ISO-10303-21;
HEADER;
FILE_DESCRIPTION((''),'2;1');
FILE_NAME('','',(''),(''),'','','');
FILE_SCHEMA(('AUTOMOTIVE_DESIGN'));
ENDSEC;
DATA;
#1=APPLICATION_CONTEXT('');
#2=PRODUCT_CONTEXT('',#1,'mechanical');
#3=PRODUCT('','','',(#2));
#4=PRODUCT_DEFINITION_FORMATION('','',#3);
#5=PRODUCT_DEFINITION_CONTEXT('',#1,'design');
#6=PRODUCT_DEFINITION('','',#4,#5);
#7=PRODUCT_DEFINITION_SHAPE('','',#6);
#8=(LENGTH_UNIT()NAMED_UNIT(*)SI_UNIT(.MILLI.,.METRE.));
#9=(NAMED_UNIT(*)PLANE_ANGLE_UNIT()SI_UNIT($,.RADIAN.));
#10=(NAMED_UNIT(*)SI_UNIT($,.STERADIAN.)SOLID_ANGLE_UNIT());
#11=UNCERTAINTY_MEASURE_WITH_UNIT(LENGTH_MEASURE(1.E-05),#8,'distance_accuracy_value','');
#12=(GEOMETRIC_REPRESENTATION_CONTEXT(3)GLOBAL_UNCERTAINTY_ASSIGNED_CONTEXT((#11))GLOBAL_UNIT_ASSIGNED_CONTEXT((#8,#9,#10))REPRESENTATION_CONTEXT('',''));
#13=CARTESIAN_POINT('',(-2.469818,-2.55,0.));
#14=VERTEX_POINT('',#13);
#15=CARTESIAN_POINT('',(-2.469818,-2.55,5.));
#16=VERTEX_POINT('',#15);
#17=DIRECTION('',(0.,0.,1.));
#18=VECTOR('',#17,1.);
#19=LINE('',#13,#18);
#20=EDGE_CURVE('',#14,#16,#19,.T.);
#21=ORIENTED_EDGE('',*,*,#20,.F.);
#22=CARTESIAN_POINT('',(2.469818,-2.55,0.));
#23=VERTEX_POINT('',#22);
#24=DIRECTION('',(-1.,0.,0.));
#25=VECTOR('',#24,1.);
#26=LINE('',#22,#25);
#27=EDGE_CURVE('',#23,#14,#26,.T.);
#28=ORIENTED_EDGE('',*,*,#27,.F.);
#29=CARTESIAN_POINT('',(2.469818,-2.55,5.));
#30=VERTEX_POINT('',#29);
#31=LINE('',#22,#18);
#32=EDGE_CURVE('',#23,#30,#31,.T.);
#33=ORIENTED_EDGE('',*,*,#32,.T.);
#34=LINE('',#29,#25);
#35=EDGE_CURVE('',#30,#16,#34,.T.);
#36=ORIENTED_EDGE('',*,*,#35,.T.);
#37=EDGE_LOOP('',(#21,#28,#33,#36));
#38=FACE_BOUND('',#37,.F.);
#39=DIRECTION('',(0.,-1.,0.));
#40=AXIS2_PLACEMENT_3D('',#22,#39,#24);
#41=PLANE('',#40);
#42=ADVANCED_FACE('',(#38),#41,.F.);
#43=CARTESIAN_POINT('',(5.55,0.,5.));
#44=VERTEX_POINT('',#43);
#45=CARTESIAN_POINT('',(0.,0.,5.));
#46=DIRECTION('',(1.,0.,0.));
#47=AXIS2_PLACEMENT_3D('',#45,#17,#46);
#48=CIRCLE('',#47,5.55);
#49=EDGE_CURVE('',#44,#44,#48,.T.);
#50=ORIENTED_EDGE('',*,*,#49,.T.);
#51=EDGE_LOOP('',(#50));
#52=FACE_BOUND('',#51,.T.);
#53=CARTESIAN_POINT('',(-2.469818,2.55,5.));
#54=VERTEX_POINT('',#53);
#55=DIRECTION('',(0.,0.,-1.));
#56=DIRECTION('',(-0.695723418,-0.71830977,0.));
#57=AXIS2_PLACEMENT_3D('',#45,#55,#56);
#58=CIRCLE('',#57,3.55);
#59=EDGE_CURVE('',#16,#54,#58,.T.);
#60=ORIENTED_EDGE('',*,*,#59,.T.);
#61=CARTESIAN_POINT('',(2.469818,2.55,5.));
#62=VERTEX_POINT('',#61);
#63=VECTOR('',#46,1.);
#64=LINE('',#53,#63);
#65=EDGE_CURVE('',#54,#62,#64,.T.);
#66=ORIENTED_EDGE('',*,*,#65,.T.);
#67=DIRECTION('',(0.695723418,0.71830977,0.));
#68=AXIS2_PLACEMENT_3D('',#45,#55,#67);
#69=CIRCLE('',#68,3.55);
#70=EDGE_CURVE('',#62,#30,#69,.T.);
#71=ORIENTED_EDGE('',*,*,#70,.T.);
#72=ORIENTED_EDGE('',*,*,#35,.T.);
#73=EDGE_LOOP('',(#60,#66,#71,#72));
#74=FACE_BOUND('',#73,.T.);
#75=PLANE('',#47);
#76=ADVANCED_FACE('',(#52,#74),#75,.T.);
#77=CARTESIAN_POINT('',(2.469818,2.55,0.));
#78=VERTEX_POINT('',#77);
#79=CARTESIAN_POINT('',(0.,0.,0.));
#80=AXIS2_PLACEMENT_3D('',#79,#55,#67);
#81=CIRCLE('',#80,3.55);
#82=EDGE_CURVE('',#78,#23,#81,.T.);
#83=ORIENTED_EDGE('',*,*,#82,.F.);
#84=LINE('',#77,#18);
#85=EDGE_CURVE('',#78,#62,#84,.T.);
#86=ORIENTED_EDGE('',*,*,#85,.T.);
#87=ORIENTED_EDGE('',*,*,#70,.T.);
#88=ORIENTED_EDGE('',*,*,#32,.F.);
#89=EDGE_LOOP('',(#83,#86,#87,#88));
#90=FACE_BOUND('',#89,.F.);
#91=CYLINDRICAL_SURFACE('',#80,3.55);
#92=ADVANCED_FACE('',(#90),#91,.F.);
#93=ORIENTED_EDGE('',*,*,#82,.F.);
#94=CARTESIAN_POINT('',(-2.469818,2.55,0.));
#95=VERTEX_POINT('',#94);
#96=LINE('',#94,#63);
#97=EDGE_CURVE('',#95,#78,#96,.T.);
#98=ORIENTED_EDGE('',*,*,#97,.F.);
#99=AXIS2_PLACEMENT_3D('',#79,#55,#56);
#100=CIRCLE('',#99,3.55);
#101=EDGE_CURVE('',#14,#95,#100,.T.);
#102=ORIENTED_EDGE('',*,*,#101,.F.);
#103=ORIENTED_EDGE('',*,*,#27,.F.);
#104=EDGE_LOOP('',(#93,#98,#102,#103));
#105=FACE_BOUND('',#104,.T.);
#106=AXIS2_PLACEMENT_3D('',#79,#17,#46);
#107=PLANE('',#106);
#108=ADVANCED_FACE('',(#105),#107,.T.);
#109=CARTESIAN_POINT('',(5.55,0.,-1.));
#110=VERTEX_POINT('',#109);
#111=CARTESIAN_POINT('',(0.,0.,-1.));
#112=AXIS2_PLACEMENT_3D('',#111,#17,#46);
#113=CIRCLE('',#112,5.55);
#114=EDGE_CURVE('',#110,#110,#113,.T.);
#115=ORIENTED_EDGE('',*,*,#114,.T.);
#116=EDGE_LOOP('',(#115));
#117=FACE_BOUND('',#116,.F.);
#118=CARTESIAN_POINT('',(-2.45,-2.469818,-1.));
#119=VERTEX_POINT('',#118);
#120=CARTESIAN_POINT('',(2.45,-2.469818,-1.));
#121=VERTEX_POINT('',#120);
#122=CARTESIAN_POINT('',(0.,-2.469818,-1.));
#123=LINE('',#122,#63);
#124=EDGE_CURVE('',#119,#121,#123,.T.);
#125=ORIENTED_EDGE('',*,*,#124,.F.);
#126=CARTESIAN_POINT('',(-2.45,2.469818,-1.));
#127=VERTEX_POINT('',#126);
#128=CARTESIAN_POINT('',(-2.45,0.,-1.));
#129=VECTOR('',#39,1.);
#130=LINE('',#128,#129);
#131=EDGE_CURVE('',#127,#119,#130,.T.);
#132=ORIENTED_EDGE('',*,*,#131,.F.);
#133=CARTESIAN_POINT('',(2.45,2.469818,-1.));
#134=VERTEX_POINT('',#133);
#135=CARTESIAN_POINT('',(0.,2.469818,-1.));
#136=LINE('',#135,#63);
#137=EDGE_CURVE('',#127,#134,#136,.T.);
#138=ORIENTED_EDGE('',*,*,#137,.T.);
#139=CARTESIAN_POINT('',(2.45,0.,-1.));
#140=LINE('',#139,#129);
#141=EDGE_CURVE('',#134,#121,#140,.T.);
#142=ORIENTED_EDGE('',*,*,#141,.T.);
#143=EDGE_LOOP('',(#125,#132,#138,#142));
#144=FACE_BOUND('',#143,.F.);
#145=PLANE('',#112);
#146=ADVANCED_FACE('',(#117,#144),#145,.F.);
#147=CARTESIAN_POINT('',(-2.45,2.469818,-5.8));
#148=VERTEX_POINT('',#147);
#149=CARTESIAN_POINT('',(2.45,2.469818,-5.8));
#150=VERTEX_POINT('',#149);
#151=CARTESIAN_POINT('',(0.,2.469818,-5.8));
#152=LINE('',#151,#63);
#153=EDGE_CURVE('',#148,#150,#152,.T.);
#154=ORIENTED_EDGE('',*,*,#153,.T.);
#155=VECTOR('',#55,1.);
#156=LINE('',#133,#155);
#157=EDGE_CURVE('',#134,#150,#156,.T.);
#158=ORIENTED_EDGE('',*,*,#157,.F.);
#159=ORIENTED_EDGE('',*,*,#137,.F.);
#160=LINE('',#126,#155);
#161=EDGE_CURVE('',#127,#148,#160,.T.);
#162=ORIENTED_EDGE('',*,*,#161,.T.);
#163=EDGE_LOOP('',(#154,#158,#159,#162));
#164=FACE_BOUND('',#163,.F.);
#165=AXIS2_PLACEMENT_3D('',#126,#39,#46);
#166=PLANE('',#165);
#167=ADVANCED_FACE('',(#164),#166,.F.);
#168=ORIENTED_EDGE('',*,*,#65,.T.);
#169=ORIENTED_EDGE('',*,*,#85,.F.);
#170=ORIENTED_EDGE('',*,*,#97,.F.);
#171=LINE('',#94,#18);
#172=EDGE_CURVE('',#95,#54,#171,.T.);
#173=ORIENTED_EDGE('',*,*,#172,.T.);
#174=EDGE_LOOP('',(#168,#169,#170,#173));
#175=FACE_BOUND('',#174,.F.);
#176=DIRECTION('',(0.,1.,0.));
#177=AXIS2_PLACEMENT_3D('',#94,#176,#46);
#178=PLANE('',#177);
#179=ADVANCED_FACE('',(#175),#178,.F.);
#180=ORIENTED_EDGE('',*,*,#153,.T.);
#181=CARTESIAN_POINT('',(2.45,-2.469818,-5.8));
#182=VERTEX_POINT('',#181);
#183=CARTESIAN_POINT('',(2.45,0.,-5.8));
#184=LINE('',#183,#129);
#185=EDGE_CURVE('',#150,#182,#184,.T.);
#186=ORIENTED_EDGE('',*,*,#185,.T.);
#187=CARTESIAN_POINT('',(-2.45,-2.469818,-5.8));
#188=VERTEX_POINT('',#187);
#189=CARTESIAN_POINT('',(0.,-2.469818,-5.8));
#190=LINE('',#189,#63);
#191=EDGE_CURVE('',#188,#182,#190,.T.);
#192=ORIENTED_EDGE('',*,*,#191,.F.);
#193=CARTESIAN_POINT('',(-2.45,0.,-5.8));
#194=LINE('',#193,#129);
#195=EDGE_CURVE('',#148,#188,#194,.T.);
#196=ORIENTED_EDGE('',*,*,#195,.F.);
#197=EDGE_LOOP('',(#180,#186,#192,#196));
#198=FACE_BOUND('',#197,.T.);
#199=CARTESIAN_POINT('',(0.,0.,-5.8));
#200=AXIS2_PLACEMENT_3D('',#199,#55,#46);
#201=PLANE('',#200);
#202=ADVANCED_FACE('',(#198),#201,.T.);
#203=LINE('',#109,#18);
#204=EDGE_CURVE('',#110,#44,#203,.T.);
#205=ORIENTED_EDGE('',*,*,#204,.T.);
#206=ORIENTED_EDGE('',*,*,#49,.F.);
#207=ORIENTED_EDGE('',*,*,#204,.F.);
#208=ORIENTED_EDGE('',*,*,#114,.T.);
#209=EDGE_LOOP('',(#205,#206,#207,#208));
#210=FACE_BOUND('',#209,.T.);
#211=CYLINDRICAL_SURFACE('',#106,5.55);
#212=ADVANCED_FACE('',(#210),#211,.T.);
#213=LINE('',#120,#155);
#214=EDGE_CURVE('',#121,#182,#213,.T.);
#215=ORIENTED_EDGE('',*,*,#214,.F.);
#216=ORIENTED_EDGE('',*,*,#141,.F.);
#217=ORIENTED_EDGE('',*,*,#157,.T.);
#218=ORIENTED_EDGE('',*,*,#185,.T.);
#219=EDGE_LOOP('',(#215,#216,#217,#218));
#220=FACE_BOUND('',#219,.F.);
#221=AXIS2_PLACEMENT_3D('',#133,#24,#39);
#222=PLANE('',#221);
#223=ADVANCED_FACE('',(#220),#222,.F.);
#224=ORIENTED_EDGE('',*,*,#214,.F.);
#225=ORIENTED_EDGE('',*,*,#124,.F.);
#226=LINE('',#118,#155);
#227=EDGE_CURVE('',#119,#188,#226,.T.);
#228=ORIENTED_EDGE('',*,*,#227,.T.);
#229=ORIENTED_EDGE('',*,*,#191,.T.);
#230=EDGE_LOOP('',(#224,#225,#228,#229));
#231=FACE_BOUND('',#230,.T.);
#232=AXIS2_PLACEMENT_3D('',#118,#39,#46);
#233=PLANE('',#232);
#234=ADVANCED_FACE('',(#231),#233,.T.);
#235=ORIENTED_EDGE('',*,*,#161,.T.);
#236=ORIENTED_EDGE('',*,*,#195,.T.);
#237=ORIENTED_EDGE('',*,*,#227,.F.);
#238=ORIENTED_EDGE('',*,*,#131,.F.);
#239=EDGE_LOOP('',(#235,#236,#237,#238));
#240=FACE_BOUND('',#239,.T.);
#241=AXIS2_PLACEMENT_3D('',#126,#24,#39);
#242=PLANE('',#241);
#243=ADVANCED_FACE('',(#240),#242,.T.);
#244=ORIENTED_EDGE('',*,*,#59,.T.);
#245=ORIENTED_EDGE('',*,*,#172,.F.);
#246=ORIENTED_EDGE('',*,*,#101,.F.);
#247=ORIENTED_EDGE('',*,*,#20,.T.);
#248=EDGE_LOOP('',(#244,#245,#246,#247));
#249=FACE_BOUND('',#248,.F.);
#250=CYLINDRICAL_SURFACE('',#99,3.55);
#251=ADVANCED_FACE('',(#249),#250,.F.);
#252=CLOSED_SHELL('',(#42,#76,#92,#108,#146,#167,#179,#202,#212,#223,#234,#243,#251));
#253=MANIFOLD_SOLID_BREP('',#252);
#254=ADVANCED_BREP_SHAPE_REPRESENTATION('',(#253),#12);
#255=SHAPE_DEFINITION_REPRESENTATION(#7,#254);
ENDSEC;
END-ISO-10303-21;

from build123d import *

# Parameters (mm, degrees)
F0_R     = 5.55
F1_DEPTH = 5
F0_W     = 4.939636
F0_H     = 5.1
F2_DEPTH = 1
F3_W     = 4.9
F3_H     = 4.939636
F4_DEPTH = 4.8


with BuildPart() as f1:
    # F0 (on Top) → F1 (new body)
    with BuildSketch(Plane.XY):
        Circle(F0_R)
        with BuildLine():
            ThreePointArc((-2.469818, -2.55), (-3.55, 0), (-2.469818, 2.55))
            Line((-2.469818, 2.55), (2.469818, 2.55))
            ThreePointArc((2.469818, 2.55), (3.55, 0), (2.469818, -2.55))
            Line((2.469818, -2.55), (-2.469818, -2.55))
        make_face(mode=Mode.SUBTRACT)
    extrude(amount=F1_DEPTH)

    # F0 (on Top) → F2 (join)
    with BuildSketch(Plane.XY):
        Circle(F0_R)
        with BuildLine():
            ThreePointArc((-2.469818, -2.55), (-3.55, 0), (-2.469818, 2.55))
            Line((-2.469818, 2.55), (2.469818, 2.55))
            ThreePointArc((2.469818, 2.55), (3.55, 0), (2.469818, -2.55))
            Line((2.469818, -2.55), (-2.469818, -2.55))
        make_face(mode=Mode.SUBTRACT)
        with BuildLine():
            ThreePointArc((2.469818, -2.55), (3.55, 0), (2.469818, 2.55))
            Line((2.469818, 2.55), (2.469818, -2.55))
        make_face()
        Rectangle(F0_W, F0_H)
        with BuildLine():
            Line((-2.469818, -2.55), (-2.469818, 2.55))
            ThreePointArc((-2.469818, 2.55), (-3.55, 0), (-2.469818, -2.55))
        make_face()
    extrude(amount=-F2_DEPTH)

    # F3 (on face) → F4 (join)
    with BuildSketch(Plane(origin=(0, 0, -1), x_dir=(1, 0, 0), z_dir=(0, 0, -1))):
        Rectangle(F3_W, F3_H)
    extrude(amount=F4_DEPTH)


solid = f1.part
